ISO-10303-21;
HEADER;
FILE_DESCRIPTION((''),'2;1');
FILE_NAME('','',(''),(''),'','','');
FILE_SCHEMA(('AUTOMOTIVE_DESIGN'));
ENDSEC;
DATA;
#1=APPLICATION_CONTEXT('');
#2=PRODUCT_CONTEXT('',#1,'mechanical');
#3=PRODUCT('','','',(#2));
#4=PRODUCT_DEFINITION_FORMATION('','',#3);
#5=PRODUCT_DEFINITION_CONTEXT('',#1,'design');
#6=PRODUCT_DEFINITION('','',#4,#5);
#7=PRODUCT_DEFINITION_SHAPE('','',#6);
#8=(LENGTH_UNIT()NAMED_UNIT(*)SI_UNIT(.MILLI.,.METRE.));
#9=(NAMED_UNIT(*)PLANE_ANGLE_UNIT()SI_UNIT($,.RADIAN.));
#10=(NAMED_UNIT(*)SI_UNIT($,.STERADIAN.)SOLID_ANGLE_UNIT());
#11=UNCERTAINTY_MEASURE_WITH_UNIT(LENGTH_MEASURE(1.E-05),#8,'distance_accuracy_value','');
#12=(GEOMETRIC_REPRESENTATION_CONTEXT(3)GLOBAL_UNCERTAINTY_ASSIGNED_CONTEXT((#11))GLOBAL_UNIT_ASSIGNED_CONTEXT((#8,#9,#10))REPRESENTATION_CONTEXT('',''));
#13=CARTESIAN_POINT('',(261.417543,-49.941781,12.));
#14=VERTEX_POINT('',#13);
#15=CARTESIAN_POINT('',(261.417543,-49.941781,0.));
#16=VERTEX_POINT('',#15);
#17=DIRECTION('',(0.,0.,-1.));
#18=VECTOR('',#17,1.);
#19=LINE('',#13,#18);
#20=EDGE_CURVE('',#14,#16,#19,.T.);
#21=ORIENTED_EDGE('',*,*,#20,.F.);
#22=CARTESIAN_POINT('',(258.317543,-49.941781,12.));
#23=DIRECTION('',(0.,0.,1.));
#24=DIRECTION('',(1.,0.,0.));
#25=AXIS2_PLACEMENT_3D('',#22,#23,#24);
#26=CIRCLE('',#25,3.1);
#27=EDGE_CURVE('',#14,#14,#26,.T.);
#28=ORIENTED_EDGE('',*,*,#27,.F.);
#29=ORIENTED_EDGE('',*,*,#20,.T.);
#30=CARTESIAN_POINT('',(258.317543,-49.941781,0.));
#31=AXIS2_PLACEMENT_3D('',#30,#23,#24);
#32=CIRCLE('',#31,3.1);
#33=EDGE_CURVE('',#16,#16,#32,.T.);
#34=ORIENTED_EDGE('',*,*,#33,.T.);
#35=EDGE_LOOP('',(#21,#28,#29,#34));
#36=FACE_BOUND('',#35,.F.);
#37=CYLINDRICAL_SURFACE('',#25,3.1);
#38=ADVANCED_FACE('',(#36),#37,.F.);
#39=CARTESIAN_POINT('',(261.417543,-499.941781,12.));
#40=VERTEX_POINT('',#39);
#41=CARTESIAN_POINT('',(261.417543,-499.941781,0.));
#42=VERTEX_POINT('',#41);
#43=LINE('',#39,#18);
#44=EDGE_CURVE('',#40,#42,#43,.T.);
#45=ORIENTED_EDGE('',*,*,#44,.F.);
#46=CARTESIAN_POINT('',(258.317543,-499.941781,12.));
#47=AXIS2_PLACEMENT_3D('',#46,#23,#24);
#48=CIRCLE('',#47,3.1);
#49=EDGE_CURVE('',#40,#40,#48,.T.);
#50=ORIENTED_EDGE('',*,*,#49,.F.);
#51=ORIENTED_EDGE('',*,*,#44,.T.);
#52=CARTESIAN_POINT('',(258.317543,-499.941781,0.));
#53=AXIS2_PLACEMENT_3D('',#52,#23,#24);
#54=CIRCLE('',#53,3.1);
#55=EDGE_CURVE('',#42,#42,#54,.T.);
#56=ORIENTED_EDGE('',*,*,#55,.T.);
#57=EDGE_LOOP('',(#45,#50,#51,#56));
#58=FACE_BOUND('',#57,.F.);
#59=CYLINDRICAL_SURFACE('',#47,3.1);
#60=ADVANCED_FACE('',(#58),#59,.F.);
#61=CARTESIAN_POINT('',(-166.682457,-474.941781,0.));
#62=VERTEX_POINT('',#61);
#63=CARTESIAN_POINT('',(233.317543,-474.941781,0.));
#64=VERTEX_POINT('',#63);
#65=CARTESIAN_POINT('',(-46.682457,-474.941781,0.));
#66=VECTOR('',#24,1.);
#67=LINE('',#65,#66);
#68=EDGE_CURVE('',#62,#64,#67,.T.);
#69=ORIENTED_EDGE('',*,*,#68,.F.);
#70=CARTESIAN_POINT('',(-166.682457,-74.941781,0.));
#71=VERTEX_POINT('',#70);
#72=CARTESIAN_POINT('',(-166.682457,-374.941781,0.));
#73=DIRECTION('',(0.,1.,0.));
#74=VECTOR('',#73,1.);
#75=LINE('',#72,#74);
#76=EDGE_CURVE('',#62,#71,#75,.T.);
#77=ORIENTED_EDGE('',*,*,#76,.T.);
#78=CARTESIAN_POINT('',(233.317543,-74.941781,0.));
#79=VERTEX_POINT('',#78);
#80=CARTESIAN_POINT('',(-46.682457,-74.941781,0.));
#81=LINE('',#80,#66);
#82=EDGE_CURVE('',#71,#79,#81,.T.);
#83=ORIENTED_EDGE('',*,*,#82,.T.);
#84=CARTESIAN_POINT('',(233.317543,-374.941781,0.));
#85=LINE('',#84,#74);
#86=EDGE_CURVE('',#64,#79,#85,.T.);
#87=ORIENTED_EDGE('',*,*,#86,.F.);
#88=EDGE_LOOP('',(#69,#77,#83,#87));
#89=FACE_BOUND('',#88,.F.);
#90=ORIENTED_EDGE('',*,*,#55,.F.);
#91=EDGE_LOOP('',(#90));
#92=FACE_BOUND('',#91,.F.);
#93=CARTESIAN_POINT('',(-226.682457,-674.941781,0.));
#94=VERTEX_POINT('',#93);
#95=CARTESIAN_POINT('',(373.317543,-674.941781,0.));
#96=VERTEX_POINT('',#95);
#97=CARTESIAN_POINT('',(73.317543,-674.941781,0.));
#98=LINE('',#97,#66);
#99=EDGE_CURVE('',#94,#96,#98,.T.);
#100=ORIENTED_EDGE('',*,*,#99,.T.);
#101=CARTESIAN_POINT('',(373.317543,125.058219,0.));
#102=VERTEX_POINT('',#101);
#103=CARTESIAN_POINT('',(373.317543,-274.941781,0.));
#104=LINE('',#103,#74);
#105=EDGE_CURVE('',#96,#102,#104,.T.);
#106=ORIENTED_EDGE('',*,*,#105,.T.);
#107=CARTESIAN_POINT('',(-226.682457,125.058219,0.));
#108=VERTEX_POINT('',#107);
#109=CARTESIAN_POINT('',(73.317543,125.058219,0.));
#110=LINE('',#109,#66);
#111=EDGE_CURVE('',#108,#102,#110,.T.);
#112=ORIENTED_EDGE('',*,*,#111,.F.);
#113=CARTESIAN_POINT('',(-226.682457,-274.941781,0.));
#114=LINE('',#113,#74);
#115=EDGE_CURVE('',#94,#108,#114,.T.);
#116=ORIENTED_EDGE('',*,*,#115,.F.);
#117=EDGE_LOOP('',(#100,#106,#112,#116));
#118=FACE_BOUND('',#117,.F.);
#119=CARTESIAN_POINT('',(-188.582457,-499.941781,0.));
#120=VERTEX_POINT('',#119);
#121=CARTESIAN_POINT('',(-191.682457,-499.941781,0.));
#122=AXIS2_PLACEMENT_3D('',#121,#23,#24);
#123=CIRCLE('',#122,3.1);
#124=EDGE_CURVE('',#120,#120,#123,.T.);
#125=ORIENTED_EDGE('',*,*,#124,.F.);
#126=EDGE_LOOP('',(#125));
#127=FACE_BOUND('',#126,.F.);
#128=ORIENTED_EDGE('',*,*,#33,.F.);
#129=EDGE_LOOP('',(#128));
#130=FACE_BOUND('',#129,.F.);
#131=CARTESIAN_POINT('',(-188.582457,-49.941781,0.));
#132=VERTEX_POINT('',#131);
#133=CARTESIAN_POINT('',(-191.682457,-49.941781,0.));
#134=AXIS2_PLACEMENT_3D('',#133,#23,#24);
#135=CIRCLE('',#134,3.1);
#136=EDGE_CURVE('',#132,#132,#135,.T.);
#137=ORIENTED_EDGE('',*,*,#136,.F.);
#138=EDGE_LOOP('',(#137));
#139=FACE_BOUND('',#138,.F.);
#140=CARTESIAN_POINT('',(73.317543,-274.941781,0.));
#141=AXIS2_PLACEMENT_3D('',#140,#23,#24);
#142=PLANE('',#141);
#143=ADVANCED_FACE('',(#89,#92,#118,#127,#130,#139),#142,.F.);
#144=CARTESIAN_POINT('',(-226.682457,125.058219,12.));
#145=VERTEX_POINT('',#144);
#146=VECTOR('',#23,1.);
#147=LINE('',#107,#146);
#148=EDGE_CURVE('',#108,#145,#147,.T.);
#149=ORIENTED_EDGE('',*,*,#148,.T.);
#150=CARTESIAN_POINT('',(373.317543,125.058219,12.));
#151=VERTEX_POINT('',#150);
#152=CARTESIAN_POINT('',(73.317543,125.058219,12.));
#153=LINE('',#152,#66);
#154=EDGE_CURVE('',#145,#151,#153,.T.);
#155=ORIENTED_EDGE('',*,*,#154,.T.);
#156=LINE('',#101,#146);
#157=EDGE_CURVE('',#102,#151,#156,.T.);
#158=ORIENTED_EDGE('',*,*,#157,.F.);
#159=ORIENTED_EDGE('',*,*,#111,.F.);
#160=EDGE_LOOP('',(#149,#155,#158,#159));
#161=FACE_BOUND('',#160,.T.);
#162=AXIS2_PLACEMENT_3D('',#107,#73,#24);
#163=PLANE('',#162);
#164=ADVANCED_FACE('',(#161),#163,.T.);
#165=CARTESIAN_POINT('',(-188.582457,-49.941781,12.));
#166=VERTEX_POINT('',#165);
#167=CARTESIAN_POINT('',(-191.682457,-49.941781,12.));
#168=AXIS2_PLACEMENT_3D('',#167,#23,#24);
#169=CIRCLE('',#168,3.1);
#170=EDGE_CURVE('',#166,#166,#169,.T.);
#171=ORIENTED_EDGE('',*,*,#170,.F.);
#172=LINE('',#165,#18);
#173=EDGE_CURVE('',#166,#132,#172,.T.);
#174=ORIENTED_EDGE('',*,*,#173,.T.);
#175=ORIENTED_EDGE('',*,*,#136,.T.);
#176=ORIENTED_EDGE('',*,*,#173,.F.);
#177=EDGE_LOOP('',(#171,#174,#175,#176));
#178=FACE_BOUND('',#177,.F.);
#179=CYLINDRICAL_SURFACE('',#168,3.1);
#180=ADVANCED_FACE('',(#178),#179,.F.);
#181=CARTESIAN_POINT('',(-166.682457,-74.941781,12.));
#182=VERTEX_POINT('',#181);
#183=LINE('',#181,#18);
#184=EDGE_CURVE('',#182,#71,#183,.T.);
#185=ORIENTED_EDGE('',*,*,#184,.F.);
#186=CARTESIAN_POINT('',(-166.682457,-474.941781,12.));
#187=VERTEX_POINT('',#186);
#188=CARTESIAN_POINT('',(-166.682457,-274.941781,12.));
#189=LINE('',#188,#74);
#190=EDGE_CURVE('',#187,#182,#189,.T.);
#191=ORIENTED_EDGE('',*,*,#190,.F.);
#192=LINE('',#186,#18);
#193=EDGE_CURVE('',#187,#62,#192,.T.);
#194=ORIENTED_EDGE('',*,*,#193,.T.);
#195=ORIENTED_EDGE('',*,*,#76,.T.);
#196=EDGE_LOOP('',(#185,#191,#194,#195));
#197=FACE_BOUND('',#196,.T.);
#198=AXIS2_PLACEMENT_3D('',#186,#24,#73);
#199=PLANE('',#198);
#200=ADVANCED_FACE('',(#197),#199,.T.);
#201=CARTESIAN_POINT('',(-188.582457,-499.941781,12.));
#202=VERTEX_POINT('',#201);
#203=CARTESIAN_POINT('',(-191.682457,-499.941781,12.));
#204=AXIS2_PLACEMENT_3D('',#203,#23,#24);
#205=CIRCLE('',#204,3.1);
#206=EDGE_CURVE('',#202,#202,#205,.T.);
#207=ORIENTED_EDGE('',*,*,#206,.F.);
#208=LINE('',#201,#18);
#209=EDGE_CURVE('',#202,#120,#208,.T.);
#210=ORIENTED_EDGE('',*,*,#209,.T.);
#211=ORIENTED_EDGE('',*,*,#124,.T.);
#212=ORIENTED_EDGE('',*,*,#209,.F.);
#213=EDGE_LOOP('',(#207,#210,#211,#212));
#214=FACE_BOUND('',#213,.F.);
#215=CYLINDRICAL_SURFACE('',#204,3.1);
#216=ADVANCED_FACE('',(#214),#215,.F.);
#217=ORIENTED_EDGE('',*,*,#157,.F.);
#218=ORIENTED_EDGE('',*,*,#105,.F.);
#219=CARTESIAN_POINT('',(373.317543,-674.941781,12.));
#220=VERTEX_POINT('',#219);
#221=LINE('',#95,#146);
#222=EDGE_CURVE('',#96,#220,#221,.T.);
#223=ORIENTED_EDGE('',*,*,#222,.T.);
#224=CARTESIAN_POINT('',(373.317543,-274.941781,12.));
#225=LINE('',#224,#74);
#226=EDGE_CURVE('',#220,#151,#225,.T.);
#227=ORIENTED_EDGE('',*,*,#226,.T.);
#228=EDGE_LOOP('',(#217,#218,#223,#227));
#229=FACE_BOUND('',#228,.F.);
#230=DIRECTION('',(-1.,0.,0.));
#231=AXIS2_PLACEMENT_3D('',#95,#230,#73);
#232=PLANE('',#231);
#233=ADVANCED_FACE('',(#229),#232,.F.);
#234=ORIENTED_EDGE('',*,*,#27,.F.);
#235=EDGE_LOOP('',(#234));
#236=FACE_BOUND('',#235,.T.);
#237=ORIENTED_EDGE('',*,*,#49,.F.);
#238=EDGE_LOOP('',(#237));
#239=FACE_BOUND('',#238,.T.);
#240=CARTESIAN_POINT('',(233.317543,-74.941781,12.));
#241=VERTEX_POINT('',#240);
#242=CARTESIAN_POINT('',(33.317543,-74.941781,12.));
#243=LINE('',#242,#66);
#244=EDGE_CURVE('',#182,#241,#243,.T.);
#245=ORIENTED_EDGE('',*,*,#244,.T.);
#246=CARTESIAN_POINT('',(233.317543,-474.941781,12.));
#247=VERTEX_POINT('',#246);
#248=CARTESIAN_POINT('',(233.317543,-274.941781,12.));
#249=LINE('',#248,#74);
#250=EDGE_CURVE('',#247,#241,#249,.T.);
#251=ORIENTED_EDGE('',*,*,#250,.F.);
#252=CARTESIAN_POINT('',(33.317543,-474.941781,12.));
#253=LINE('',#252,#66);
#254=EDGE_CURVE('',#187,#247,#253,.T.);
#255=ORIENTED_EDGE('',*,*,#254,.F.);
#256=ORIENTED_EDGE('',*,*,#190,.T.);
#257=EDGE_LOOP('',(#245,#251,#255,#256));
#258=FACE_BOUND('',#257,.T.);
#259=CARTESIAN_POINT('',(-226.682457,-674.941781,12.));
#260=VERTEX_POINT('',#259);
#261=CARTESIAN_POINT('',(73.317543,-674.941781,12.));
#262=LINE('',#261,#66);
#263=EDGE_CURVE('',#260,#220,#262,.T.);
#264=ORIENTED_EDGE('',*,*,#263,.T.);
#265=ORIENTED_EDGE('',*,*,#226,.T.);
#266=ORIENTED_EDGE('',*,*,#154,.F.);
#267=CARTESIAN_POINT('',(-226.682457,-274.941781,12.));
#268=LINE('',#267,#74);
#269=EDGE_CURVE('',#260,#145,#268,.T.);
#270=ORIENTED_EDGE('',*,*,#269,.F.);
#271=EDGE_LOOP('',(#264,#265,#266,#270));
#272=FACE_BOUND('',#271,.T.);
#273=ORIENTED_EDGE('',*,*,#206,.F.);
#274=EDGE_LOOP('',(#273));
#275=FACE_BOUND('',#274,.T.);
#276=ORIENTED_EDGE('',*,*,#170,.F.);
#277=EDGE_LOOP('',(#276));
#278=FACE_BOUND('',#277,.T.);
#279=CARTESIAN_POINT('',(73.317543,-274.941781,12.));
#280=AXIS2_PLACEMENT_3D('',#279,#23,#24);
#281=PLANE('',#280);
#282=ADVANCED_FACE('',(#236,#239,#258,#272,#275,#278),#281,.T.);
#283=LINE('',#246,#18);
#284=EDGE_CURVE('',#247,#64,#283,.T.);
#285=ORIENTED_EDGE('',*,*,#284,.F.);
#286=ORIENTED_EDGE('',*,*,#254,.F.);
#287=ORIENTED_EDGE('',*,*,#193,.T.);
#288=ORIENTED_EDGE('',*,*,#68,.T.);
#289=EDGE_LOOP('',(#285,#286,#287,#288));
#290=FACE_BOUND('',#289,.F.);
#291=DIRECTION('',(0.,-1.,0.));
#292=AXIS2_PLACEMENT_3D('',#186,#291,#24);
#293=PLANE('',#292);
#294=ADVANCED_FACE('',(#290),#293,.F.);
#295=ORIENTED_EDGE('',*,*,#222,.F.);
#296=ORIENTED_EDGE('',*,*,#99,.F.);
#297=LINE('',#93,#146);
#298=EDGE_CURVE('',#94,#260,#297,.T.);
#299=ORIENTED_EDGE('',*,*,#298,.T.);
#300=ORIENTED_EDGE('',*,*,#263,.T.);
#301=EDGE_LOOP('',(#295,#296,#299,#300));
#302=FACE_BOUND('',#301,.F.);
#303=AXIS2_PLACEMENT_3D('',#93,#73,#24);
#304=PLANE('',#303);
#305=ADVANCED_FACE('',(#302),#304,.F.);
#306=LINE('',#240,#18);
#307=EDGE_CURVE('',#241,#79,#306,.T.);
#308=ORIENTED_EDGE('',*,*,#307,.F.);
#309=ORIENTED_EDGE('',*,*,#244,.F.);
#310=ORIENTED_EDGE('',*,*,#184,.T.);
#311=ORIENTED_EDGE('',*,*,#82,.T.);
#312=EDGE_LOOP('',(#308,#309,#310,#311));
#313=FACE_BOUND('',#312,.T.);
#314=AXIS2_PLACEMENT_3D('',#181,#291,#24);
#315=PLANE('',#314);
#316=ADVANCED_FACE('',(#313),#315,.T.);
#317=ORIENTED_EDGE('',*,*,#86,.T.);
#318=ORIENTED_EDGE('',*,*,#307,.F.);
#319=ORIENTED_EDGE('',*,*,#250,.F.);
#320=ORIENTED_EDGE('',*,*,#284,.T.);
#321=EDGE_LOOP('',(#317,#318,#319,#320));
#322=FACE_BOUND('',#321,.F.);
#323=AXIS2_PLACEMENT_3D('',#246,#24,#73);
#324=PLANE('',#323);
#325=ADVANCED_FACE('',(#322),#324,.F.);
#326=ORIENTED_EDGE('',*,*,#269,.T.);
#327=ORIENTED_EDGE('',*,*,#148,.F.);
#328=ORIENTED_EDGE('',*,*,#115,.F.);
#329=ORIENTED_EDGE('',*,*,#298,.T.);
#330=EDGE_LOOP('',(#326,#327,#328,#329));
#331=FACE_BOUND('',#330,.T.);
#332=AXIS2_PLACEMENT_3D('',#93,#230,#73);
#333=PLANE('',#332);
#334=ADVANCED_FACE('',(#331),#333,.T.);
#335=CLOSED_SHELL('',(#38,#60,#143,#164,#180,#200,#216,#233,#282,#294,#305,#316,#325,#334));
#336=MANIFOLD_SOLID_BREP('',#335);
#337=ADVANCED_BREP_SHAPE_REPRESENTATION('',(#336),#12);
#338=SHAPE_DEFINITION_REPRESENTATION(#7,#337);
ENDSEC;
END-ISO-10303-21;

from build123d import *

# Parameters (mm, degrees)
F0_W     = 600
F0_H     = 800
F1_DEPTH = 12
F2_W     = 400
F2_H     = 400
F3_DEPTH = 15
F5_R     = 3.1
F6_DEPTH = 50


with BuildPart() as f1:
    # F0 (on Top) → F1 (new body)
    with BuildSketch(Plane.XY):
        with Locations((73.317543, -274.941781)):
            Rectangle(F0_W, F0_H)
    extrude(amount=F1_DEPTH)

    # F2 (on face) → F3 (cut)
    with BuildSketch(Plane.XY.offset(12)):
        with Locations((33.317543, -274.941781)):
            Rectangle(F2_W, F2_H)
    extrude(amount=-F3_DEPTH, mode=Mode.SUBTRACT)

    # F5 (on face) → F6 (cut)
    with BuildSketch(Plane.XY.offset(12)):
        with Locations((-191.682457, -49.941781)):
            Circle(F5_R)
        with Locations((-191.682457, -499.941781)):
            Circle(F5_R)
        with Locations((258.317543, -49.941781)):
            Circle(F5_R)
        with Locations((258.317543, -499.941781)):
            Circle(F5_R)
    extrude(amount=-F6_DEPTH, mode=Mode.SUBTRACT)


solid = f1.part
